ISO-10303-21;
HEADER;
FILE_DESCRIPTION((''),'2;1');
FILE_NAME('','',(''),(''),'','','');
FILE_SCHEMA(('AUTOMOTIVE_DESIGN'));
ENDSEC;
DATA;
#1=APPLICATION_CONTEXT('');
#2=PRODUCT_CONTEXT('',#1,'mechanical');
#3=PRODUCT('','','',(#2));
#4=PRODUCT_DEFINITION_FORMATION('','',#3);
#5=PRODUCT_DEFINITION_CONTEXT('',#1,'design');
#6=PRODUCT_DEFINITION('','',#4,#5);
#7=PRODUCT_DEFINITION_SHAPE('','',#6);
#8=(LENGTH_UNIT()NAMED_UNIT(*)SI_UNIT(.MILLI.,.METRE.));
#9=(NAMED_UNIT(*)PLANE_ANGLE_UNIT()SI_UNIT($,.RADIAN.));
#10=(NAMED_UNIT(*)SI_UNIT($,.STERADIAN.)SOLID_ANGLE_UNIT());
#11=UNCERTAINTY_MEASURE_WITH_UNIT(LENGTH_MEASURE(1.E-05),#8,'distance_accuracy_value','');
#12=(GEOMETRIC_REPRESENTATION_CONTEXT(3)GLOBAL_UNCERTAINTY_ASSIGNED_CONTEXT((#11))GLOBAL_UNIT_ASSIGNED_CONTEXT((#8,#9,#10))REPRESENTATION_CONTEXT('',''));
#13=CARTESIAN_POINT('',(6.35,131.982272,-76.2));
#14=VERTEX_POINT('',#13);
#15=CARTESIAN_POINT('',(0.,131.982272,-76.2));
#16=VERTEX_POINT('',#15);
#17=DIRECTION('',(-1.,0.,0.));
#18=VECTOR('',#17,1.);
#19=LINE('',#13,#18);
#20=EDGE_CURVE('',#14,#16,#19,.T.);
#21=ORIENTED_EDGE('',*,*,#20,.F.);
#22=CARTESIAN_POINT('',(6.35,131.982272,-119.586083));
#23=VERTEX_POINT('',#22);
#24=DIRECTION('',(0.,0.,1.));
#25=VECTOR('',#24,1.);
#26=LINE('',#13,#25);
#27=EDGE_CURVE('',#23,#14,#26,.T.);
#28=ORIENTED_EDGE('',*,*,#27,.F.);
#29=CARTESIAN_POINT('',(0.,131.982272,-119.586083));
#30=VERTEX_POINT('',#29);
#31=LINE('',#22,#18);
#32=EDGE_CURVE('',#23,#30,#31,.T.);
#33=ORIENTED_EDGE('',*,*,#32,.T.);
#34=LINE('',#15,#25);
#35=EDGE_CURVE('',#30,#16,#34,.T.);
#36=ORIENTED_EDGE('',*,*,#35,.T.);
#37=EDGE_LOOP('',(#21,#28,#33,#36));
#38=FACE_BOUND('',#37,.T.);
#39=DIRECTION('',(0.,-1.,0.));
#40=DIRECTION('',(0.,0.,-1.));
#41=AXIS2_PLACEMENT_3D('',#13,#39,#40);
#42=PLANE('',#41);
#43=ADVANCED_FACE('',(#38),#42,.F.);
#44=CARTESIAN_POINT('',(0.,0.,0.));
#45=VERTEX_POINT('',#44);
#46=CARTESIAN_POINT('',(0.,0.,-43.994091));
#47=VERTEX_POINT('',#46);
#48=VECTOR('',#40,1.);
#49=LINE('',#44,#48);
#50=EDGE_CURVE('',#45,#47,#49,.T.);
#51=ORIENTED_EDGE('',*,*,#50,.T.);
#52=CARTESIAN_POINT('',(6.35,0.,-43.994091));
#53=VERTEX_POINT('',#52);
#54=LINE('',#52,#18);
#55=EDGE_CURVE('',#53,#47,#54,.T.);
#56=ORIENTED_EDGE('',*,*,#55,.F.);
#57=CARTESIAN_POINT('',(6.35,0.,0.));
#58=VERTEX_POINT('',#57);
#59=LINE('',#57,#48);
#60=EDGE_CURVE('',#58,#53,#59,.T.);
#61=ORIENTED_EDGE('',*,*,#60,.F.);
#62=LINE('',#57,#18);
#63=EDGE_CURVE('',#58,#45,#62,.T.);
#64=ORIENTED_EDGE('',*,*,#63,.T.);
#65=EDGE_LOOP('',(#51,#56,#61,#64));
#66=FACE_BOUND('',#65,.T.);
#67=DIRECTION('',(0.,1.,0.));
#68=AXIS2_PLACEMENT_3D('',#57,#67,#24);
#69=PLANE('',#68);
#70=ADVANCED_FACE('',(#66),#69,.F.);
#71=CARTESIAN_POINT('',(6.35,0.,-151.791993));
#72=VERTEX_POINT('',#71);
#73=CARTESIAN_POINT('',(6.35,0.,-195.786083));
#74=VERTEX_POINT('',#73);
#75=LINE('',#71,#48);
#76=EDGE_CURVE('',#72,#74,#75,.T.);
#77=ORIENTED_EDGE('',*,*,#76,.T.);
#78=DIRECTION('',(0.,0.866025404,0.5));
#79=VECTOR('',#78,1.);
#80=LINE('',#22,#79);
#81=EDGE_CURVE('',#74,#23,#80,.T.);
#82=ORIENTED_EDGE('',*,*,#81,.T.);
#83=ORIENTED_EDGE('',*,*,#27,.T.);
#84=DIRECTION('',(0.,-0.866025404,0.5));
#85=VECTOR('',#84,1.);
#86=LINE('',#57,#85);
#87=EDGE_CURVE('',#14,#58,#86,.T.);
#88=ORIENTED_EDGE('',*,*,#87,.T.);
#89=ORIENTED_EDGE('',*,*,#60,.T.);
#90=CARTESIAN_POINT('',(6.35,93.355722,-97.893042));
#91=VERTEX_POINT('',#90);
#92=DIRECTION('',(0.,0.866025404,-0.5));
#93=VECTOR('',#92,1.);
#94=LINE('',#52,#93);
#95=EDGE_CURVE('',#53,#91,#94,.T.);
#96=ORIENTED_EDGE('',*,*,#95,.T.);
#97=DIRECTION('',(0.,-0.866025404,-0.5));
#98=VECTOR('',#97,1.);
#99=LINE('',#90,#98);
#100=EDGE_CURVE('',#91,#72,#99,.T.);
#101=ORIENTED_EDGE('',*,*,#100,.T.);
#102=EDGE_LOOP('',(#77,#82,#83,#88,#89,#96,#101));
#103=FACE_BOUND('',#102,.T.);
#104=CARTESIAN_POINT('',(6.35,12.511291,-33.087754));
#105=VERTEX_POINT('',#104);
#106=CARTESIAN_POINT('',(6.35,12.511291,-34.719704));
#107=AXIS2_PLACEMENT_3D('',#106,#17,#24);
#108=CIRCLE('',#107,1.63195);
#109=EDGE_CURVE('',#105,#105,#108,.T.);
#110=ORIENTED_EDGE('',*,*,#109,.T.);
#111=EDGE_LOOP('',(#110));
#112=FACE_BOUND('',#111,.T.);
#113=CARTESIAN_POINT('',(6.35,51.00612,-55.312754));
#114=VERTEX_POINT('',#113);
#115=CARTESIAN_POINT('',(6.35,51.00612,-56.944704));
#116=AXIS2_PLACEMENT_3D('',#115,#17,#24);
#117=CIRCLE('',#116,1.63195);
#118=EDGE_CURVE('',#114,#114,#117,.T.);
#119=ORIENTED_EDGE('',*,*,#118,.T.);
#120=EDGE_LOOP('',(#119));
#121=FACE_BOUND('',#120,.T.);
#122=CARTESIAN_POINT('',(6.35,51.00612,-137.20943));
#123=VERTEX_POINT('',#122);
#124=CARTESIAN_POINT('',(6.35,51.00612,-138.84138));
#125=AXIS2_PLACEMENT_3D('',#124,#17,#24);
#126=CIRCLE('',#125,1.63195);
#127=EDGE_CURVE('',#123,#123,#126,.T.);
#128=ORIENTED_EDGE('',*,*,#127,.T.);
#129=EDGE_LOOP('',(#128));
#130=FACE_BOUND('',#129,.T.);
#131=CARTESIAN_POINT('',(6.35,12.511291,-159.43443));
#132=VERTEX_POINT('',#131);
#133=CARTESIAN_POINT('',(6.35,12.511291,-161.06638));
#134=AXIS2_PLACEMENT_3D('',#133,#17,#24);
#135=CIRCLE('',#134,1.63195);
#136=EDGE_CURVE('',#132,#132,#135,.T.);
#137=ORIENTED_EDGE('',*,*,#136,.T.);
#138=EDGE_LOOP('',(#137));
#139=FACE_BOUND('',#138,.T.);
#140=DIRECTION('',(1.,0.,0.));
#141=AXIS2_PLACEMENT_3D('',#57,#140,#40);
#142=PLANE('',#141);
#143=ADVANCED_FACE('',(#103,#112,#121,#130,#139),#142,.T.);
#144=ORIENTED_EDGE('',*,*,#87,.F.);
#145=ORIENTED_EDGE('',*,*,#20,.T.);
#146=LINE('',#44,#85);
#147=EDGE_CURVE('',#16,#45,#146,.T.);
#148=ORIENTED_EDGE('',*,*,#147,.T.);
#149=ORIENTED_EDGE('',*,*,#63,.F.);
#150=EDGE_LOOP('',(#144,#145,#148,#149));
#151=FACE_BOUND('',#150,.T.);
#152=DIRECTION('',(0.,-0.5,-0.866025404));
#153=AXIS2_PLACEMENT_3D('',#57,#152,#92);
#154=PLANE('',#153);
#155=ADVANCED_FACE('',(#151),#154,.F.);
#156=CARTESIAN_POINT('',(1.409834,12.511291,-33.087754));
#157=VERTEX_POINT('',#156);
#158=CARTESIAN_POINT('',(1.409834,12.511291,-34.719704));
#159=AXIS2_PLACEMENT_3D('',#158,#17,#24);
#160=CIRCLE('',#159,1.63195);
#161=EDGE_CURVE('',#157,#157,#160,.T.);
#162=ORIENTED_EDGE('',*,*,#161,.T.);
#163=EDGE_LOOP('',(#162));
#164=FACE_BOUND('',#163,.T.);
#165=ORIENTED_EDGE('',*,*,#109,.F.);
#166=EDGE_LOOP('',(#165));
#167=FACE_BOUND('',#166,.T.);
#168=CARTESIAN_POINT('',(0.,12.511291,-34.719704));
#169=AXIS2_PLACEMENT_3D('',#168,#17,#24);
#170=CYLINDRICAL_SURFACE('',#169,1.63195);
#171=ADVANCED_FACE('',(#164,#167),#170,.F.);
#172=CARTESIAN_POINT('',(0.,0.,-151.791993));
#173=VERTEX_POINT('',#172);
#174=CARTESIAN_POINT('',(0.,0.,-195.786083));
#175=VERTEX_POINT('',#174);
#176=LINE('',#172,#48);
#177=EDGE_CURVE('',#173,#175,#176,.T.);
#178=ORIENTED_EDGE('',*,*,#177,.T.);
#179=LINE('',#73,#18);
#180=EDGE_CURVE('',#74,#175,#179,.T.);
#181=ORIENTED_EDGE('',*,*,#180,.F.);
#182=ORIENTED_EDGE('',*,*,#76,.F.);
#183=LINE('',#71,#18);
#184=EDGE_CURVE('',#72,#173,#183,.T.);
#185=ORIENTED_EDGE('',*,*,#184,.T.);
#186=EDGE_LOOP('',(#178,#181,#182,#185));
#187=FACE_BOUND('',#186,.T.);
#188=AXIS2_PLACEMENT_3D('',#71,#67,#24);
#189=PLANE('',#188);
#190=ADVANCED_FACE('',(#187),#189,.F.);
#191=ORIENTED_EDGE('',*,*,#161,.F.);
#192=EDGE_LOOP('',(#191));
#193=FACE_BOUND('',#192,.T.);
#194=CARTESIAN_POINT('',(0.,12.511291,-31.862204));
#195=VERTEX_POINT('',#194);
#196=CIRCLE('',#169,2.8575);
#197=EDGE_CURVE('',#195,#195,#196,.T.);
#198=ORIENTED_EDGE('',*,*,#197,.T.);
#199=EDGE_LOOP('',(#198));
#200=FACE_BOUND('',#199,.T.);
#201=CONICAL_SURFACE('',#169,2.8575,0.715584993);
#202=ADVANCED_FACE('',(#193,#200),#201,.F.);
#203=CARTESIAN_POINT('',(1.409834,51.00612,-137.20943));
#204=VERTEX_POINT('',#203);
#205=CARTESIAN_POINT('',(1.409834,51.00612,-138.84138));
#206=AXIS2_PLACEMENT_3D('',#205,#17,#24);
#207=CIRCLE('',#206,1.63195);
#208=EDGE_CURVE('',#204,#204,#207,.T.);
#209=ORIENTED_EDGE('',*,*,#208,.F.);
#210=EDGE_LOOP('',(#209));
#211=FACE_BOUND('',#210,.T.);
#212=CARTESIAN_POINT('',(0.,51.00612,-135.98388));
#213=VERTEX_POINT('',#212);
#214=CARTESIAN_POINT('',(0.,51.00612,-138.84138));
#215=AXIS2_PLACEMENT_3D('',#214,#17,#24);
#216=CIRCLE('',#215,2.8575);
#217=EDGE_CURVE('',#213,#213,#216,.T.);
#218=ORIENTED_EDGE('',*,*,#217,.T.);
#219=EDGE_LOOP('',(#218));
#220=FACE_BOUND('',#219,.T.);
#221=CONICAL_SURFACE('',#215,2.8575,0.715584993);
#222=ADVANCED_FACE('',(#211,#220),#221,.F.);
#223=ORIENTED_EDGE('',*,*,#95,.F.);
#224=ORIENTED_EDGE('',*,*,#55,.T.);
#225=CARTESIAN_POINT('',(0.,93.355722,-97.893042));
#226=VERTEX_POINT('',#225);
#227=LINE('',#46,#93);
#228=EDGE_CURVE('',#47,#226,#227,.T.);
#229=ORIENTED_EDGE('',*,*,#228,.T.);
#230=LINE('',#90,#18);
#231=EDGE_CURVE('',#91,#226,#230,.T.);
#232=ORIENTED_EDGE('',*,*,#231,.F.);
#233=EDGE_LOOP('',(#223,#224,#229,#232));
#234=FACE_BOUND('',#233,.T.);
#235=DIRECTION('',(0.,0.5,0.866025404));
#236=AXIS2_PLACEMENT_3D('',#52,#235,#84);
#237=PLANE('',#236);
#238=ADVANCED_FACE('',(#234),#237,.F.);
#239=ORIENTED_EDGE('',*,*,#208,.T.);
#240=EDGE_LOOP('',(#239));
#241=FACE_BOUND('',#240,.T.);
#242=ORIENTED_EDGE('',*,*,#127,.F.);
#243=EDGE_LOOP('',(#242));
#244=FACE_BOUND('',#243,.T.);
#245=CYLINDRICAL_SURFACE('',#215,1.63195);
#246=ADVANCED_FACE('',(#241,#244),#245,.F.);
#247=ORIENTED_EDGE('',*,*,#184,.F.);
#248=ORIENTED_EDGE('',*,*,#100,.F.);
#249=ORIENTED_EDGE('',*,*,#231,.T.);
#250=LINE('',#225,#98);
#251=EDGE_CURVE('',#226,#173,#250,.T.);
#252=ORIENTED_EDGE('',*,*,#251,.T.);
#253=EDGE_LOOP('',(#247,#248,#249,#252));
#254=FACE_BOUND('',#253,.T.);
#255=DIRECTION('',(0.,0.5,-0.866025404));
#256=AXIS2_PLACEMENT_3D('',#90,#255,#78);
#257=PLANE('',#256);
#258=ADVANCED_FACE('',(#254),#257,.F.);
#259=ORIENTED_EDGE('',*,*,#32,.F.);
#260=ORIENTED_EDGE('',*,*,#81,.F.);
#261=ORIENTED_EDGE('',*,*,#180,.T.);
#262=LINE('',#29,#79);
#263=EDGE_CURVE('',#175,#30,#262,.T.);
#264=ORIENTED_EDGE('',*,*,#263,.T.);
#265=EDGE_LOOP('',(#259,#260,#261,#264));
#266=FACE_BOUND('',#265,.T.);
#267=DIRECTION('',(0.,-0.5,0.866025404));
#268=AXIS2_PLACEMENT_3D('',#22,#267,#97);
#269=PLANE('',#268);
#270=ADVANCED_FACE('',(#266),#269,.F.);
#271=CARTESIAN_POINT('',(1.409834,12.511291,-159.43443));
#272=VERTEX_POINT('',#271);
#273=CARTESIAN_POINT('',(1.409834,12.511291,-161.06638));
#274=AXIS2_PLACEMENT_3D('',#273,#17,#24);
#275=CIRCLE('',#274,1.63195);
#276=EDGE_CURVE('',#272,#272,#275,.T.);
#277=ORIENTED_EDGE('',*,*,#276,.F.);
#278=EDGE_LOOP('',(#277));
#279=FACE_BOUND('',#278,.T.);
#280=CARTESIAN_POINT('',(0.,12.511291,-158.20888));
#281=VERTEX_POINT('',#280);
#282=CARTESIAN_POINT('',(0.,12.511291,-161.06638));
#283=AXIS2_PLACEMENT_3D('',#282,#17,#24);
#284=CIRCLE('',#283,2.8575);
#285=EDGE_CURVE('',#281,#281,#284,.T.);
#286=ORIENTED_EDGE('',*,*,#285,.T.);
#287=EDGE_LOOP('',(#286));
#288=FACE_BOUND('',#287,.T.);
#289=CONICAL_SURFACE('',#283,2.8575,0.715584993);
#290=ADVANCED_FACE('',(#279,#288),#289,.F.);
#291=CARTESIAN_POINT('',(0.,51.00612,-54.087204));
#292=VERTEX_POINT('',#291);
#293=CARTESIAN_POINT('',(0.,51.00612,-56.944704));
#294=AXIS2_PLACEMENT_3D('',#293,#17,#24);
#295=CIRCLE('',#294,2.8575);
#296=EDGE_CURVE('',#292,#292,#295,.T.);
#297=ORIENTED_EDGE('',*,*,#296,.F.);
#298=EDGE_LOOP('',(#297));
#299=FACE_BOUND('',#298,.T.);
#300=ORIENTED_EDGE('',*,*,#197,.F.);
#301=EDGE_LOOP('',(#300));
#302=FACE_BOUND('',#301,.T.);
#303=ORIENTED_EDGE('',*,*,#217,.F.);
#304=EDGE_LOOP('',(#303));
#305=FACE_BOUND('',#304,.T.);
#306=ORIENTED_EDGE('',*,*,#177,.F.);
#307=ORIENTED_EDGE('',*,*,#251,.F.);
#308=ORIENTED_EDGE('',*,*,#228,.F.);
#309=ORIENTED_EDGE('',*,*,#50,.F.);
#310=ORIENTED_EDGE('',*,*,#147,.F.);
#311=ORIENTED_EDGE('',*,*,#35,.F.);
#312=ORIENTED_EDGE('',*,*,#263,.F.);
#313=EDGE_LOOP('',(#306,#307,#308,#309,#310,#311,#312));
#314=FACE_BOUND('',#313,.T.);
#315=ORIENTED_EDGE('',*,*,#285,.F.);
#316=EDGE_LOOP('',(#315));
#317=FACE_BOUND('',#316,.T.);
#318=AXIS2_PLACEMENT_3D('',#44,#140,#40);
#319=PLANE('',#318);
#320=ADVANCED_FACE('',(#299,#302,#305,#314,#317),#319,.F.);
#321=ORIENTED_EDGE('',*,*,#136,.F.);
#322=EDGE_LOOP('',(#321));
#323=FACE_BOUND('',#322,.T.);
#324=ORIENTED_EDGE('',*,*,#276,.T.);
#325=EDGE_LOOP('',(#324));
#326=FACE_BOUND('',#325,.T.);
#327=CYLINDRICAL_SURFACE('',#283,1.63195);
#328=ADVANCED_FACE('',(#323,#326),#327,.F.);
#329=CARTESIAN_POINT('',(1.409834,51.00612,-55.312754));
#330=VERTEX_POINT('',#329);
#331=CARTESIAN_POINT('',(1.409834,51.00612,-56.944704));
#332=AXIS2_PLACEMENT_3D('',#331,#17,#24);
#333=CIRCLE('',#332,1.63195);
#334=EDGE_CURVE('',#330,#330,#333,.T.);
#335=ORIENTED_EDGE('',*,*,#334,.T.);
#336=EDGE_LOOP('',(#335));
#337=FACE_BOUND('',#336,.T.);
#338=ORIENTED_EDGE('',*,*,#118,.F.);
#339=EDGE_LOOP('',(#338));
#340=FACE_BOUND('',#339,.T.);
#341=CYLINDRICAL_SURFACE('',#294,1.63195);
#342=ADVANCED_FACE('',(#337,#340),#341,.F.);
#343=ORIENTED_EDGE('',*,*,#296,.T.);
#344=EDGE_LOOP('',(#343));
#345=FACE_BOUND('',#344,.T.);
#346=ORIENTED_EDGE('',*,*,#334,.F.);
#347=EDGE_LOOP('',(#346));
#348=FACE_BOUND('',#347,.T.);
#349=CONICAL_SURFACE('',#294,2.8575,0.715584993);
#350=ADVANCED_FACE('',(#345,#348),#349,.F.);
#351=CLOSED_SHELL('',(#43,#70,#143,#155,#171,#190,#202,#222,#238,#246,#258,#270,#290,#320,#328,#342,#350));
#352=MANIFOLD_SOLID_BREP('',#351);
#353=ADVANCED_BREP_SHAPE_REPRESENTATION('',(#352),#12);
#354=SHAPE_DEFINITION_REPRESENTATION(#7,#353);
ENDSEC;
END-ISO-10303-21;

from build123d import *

# Parameters (mm, degrees)
BOSS_EXTRUDE1_DEPTH                            = 6.35
CSK_FOR_4_FLAT_HEAD_MACHINE_SCREW1_D           = 3.2639
CSK_FOR_4_FLAT_HEAD_MACHINE_SCREW1_CSINK_D     = 5.715
CSK_FOR_4_FLAT_HEAD_MACHINE_SCREW1_CSINK_ANGLE = 82


with BuildPart() as part:
    # Sketch1 → Boss-Extrude1 (new body)
    with BuildSketch(Plane(origin=(0, 0, 0), x_dir=(0, 0, -1), z_dir=(1, 0, 0))):
        Polygon((0, 0), (76.2, 131.982271537), (119.58608314, 131.982271537), (195.78608314, 0), (151.791992628, 0), (97.89304157, 93.355721707), (43.994090512, 0), align=None)
    extrude(amount=BOSS_EXTRUDE1_DEPTH)

    # CSK for #4 Flat Head Machine Screw1 (through all)
    with Locations(Plane.ZY):
        with Locations((-161.066379527, 12.511290682), (-138.841379527, 51.00611988), (-56.944703613, 51.00611988), (-34.719703613, 12.511290682)):
            CounterSinkHole(CSK_FOR_4_FLAT_HEAD_MACHINE_SCREW1_D / 2, CSK_FOR_4_FLAT_HEAD_MACHINE_SCREW1_CSINK_D / 2, counter_sink_angle=CSK_FOR_4_FLAT_HEAD_MACHINE_SCREW1_CSINK_ANGLE)


solid = part.part
